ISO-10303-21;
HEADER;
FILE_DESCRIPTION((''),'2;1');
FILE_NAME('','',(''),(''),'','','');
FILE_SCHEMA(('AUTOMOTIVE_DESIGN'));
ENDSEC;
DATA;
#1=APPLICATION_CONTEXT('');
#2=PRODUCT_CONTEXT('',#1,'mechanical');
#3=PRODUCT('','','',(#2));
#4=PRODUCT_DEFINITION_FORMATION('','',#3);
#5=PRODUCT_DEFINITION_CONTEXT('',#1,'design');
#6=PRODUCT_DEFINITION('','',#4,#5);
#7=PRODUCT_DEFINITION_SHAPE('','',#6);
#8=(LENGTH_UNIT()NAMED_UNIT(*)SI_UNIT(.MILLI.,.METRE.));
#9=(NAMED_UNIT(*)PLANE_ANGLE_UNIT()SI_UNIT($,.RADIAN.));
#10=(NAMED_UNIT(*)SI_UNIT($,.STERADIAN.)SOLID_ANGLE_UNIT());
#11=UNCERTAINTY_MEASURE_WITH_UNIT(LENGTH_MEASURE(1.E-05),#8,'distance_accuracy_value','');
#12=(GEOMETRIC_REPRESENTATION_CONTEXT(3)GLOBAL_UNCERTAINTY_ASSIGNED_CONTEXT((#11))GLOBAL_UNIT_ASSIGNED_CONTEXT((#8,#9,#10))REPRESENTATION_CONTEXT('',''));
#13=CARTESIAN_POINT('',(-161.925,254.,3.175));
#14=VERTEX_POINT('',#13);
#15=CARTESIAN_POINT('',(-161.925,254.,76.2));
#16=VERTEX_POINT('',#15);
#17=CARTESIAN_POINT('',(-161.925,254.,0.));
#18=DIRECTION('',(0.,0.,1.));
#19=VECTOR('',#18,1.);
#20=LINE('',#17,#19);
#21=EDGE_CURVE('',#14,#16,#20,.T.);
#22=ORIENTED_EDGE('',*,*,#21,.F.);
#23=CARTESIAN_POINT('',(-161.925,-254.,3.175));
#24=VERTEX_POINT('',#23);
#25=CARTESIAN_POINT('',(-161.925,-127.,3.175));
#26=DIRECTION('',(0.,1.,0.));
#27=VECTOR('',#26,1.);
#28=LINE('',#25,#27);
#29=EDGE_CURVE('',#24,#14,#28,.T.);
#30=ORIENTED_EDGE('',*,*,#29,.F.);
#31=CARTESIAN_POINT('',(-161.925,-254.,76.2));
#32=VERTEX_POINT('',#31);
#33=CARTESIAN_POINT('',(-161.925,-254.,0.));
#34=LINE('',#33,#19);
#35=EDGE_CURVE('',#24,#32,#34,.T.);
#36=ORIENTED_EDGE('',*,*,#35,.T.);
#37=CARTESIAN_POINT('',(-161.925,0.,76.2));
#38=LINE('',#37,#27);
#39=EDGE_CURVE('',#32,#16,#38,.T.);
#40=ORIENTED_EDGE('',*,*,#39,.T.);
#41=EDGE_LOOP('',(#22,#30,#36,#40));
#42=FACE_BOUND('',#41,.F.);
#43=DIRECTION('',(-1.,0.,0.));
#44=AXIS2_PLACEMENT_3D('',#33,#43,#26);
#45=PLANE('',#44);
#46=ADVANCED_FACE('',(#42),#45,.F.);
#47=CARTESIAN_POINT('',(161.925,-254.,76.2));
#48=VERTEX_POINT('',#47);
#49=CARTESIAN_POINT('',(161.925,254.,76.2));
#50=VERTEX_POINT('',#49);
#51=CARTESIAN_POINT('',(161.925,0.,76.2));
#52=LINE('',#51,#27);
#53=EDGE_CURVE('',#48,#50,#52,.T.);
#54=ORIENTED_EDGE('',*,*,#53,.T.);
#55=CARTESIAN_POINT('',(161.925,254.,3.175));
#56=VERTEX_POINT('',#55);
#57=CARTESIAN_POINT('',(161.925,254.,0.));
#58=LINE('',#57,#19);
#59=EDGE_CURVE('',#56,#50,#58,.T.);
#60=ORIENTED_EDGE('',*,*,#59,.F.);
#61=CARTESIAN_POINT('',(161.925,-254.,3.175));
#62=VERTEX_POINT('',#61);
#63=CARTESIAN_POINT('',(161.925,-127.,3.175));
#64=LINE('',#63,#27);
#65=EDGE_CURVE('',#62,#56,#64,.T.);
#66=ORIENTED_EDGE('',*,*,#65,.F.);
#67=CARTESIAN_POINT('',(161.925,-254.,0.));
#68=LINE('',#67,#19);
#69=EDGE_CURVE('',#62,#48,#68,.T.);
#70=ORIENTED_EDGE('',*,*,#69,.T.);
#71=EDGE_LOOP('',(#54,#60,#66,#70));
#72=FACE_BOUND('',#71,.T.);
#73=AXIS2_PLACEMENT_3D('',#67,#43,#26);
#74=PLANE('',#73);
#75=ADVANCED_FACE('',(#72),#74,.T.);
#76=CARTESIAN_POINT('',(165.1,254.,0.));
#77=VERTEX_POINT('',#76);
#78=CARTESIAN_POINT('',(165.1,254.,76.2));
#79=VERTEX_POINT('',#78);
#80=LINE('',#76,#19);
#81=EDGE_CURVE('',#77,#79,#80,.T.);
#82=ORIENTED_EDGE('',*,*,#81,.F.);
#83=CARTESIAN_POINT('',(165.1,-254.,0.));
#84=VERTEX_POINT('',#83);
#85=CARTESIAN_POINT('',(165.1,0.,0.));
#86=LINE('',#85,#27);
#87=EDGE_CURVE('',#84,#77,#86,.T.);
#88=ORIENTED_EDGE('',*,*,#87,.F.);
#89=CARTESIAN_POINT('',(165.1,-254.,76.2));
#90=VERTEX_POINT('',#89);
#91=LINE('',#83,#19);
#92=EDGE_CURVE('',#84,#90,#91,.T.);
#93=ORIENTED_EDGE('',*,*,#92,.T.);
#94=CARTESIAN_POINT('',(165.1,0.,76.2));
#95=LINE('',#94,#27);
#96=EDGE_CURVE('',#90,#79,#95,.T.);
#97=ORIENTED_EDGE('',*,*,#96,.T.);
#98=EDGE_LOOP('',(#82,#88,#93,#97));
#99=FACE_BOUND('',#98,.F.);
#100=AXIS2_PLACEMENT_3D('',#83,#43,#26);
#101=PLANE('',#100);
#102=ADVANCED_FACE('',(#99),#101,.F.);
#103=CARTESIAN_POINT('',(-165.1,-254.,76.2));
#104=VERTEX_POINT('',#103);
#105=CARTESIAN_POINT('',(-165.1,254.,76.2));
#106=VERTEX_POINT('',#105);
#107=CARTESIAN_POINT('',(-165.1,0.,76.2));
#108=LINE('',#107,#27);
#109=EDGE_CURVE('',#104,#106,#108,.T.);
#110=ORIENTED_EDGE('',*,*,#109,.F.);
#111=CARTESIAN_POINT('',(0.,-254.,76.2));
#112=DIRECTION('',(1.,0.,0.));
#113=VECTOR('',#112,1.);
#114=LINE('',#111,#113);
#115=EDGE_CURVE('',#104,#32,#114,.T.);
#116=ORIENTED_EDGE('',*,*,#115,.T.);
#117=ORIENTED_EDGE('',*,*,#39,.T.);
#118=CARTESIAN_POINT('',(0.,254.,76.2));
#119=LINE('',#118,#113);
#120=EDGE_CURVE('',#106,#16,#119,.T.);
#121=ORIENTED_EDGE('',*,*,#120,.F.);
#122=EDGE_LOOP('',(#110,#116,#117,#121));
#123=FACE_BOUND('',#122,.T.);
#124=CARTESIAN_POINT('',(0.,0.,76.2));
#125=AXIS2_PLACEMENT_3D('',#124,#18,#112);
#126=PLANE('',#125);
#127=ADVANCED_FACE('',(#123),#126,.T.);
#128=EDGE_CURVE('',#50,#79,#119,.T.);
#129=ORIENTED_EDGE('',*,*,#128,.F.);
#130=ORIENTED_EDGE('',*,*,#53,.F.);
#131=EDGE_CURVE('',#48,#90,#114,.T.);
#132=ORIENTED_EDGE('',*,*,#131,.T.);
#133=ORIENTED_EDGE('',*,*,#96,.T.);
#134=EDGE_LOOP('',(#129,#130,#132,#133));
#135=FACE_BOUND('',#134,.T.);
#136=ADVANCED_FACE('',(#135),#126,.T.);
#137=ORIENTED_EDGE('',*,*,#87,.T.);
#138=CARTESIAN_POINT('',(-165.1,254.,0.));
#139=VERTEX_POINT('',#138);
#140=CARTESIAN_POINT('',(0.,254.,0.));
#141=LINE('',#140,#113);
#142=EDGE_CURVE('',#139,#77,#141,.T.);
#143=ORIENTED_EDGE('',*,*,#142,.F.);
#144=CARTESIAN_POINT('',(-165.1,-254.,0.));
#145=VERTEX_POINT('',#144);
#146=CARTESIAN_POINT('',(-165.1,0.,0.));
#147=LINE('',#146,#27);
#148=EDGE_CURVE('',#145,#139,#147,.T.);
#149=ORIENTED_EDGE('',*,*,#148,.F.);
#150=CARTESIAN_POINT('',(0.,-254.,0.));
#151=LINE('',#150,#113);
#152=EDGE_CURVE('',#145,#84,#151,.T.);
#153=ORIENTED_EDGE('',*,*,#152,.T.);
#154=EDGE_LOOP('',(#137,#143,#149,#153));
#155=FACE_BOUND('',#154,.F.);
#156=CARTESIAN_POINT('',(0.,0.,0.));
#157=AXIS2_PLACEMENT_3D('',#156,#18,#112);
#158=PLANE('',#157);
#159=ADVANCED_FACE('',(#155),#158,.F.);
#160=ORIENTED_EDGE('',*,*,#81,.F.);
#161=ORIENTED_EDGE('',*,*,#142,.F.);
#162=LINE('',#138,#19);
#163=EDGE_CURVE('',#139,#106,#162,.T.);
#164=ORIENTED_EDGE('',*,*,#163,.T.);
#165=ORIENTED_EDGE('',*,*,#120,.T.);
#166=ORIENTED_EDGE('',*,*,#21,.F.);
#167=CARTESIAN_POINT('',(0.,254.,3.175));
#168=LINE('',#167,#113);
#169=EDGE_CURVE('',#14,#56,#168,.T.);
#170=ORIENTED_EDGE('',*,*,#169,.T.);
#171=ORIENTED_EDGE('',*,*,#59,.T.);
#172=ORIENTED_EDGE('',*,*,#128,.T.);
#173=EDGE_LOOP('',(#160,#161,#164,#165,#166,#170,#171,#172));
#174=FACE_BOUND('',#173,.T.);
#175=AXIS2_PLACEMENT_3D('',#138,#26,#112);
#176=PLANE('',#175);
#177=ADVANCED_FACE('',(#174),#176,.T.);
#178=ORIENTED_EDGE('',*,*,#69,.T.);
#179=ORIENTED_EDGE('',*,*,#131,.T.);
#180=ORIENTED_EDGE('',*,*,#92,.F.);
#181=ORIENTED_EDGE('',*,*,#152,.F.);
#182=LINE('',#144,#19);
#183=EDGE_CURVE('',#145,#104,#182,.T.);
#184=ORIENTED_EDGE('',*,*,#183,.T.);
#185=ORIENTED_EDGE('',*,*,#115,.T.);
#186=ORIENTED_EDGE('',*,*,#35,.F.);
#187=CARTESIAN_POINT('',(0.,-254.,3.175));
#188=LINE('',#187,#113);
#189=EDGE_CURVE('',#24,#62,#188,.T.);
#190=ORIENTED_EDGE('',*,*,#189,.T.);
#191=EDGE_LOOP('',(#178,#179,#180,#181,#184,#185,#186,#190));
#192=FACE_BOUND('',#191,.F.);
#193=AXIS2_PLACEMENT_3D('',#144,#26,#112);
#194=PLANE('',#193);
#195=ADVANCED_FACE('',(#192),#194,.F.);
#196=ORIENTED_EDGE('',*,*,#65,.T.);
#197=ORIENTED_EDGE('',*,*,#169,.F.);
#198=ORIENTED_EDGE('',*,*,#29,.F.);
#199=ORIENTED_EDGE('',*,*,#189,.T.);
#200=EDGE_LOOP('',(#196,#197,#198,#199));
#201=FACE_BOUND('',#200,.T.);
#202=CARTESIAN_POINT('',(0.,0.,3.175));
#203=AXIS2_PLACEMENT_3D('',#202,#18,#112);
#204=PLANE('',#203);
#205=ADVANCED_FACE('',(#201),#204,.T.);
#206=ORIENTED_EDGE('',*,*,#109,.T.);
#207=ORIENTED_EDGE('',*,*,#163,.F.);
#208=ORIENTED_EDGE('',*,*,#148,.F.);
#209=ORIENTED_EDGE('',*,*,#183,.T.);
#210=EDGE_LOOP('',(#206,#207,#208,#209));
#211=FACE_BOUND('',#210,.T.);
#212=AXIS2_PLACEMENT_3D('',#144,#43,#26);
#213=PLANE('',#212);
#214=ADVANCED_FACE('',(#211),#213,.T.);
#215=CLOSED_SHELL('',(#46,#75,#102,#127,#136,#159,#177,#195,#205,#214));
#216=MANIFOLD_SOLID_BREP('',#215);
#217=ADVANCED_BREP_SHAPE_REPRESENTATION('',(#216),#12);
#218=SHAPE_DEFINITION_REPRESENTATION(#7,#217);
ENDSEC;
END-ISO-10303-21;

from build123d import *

# Parameters (mm, degrees)
F0_W     = 330.2
F0_H     = 508
F1_DEPTH = 76.2
F2_T     = -3.175


with BuildPart() as f1:
    # F0 (on Top) → F1 (new body)
    with BuildSketch(Plane.XY):
        Rectangle(F0_W, F0_H)
    extrude(amount=F1_DEPTH)

    # F2
    f2_openings = [f1.faces().sort_by_distance(p)[0] for p in [
        (0, 0, 76.2),
        (0, -254, 38.1),
        (0, 254, 38.1),
    ]]
    offset(amount=F2_T, openings=f2_openings)


solid = f1.part
